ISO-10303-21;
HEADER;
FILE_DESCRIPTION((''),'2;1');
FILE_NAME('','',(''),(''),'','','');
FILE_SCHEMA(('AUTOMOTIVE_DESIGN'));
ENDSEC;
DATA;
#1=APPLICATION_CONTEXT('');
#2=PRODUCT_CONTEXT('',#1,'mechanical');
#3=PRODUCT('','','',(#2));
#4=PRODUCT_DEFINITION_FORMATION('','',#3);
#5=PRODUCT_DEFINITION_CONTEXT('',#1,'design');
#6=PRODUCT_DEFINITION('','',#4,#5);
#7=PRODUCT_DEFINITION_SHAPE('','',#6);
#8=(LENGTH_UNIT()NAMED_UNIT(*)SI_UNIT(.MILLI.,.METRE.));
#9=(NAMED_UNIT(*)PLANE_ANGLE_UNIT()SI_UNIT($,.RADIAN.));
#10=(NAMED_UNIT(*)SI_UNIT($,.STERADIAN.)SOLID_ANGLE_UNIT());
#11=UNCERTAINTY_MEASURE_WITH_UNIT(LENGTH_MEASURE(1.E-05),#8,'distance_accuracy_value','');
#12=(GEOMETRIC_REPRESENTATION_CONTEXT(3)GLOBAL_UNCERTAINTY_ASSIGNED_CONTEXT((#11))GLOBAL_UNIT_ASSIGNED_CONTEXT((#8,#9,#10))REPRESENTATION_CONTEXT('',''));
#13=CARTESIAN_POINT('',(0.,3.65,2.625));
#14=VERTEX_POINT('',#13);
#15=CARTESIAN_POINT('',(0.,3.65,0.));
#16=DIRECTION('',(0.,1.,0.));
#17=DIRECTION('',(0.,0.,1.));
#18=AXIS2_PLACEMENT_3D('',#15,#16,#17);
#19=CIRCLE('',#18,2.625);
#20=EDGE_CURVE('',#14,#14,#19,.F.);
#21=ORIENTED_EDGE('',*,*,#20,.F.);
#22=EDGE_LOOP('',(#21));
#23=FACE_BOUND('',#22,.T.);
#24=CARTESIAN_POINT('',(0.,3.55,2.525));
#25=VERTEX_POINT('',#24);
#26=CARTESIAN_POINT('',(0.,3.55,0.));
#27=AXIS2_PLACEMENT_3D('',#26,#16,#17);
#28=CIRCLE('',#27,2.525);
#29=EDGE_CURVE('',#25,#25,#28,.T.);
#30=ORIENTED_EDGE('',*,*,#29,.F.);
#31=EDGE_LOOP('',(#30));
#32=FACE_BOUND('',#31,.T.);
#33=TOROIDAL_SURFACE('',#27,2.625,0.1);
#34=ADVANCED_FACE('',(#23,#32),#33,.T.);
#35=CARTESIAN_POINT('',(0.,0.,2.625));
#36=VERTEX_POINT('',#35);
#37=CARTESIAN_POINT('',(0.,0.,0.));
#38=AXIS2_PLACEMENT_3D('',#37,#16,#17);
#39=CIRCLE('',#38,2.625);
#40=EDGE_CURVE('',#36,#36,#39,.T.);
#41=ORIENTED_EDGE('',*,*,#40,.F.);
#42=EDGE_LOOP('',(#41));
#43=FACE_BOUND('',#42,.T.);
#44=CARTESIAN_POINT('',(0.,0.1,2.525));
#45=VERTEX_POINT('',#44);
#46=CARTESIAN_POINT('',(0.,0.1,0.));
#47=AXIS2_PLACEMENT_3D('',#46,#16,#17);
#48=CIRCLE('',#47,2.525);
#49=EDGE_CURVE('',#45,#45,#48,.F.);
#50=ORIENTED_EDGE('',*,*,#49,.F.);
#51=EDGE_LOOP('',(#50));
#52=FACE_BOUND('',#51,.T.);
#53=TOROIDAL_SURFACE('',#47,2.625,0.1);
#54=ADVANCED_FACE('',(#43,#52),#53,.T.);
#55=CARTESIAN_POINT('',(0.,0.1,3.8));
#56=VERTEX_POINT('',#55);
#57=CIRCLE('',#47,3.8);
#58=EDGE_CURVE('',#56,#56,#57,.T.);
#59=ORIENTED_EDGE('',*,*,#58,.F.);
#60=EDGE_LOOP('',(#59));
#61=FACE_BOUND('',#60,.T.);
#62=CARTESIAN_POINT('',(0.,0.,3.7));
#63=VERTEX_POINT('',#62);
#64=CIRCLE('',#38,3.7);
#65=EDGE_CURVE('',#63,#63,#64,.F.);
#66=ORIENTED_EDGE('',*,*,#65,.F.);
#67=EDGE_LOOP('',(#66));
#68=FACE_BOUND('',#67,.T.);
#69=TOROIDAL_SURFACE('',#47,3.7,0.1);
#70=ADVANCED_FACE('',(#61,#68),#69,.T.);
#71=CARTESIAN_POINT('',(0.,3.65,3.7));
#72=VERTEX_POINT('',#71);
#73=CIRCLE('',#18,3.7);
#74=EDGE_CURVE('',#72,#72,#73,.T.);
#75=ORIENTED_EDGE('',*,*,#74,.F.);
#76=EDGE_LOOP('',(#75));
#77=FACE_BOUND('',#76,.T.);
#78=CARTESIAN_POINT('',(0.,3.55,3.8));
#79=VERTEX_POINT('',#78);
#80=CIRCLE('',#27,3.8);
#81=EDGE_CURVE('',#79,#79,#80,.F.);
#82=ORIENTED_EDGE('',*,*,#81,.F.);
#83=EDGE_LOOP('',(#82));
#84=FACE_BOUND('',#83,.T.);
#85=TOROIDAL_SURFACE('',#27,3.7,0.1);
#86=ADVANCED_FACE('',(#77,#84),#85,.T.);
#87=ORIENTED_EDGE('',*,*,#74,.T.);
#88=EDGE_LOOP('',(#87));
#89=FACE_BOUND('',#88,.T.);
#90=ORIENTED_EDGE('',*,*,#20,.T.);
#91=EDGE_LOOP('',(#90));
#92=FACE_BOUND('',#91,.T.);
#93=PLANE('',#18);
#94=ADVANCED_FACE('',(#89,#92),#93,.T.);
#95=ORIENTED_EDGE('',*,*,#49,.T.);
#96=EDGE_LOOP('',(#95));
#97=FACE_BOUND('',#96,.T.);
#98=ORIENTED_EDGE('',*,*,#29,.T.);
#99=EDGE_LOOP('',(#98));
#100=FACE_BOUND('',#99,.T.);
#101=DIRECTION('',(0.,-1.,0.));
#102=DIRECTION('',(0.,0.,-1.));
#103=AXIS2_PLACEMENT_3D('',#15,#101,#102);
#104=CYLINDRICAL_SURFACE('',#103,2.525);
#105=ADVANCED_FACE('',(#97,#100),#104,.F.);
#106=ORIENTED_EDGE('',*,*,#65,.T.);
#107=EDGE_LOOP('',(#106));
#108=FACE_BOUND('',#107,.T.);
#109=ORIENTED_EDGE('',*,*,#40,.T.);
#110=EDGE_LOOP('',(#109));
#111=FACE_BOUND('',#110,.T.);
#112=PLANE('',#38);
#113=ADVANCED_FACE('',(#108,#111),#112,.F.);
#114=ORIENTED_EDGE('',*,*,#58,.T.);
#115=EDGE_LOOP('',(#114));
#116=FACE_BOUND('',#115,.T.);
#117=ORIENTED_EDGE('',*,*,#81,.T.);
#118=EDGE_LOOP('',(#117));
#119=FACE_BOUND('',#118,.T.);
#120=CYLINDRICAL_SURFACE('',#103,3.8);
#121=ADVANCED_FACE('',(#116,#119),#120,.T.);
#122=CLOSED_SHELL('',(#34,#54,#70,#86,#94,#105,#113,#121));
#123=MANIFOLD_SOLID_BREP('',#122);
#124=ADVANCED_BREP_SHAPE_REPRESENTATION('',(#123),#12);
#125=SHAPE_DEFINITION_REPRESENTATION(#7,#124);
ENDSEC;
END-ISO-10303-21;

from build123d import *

# Parameters (mm, degrees)
SKETCH_1_R      = 3.8
SKETCH_1_R_2    = 2.525
EXTRUDE_1_DEPTH = 3.65
FILLET_1_R      = 0.1


with BuildPart() as part:
    # Эскиз1 → Бобышка-Вытянуть1 (new body)
    with BuildSketch(Plane(origin=(0, 0, 0), x_dir=(1, 0, 0), z_dir=(0, 1, 0))):
        Circle(SKETCH_1_R)
        Circle(SKETCH_1_R_2, mode=Mode.SUBTRACT)
    extrude(amount=EXTRUDE_1_DEPTH)

    # Скругление1
    fillet_1_edges = [part.edges().sort_by_distance(p)[0] for p in [
        (-3.8, 0, 0),
        (-3.8, 3.65, 0),
        (-2.525, 0, 0),
        (-2.525, 3.65, 0),
    ]]
    fillet(fillet_1_edges, radius=FILLET_1_R)


solid = part.part
